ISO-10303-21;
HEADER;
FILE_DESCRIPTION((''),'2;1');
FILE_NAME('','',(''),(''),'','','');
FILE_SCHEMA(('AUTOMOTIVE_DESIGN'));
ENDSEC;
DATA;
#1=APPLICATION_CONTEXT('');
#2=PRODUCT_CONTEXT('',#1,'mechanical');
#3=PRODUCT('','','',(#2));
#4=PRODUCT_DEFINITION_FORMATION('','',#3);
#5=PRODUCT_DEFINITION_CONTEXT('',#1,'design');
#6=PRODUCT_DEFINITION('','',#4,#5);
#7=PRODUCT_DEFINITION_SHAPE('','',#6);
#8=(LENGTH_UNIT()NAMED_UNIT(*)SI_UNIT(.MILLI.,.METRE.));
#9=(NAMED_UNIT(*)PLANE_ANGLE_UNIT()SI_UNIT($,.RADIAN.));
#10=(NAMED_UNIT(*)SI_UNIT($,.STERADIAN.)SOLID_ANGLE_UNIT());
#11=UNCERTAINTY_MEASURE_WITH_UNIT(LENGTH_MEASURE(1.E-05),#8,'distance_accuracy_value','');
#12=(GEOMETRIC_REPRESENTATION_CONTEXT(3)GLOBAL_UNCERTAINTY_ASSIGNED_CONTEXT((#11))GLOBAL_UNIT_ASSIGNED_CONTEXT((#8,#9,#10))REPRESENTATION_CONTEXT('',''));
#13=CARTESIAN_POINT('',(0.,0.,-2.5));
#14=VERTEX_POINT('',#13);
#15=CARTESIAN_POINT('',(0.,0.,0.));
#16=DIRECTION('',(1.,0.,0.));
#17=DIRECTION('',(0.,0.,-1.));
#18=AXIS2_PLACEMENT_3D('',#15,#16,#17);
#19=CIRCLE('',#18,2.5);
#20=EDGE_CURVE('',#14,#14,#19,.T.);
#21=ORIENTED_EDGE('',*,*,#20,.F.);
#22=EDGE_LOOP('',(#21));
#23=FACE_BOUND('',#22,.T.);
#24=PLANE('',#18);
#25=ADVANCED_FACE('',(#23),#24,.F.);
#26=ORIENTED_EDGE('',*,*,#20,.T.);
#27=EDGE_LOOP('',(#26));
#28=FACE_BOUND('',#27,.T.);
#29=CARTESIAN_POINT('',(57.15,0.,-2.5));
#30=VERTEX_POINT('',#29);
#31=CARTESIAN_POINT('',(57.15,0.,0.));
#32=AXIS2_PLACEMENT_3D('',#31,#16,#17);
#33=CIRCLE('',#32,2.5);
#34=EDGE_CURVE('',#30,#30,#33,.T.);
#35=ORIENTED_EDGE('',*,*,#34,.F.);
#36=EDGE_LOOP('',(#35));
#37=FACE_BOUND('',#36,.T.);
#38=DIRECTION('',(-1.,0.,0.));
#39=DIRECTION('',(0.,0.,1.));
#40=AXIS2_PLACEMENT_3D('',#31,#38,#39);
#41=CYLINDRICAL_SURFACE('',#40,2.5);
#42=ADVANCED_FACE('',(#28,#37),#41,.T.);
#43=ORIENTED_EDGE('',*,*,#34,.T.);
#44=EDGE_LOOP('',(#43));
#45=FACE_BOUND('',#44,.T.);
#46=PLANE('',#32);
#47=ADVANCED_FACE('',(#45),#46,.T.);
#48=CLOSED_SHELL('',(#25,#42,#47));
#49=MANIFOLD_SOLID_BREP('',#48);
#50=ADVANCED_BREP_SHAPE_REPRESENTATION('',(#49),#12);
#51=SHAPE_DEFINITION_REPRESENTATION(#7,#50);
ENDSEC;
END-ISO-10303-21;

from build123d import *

# Parameters (mm, degrees)
SKETCH1_R  = 2.5
BASE_DEPTH = 57.15


with BuildPart() as part:
    # Sketch1 → Base (new body)
    with BuildSketch(Plane(origin=(0, 0, 0), x_dir=(0, 0, -1), z_dir=(1, 0, 0))):
        Circle(SKETCH1_R)
    extrude(amount=BASE_DEPTH)


solid = part.part
